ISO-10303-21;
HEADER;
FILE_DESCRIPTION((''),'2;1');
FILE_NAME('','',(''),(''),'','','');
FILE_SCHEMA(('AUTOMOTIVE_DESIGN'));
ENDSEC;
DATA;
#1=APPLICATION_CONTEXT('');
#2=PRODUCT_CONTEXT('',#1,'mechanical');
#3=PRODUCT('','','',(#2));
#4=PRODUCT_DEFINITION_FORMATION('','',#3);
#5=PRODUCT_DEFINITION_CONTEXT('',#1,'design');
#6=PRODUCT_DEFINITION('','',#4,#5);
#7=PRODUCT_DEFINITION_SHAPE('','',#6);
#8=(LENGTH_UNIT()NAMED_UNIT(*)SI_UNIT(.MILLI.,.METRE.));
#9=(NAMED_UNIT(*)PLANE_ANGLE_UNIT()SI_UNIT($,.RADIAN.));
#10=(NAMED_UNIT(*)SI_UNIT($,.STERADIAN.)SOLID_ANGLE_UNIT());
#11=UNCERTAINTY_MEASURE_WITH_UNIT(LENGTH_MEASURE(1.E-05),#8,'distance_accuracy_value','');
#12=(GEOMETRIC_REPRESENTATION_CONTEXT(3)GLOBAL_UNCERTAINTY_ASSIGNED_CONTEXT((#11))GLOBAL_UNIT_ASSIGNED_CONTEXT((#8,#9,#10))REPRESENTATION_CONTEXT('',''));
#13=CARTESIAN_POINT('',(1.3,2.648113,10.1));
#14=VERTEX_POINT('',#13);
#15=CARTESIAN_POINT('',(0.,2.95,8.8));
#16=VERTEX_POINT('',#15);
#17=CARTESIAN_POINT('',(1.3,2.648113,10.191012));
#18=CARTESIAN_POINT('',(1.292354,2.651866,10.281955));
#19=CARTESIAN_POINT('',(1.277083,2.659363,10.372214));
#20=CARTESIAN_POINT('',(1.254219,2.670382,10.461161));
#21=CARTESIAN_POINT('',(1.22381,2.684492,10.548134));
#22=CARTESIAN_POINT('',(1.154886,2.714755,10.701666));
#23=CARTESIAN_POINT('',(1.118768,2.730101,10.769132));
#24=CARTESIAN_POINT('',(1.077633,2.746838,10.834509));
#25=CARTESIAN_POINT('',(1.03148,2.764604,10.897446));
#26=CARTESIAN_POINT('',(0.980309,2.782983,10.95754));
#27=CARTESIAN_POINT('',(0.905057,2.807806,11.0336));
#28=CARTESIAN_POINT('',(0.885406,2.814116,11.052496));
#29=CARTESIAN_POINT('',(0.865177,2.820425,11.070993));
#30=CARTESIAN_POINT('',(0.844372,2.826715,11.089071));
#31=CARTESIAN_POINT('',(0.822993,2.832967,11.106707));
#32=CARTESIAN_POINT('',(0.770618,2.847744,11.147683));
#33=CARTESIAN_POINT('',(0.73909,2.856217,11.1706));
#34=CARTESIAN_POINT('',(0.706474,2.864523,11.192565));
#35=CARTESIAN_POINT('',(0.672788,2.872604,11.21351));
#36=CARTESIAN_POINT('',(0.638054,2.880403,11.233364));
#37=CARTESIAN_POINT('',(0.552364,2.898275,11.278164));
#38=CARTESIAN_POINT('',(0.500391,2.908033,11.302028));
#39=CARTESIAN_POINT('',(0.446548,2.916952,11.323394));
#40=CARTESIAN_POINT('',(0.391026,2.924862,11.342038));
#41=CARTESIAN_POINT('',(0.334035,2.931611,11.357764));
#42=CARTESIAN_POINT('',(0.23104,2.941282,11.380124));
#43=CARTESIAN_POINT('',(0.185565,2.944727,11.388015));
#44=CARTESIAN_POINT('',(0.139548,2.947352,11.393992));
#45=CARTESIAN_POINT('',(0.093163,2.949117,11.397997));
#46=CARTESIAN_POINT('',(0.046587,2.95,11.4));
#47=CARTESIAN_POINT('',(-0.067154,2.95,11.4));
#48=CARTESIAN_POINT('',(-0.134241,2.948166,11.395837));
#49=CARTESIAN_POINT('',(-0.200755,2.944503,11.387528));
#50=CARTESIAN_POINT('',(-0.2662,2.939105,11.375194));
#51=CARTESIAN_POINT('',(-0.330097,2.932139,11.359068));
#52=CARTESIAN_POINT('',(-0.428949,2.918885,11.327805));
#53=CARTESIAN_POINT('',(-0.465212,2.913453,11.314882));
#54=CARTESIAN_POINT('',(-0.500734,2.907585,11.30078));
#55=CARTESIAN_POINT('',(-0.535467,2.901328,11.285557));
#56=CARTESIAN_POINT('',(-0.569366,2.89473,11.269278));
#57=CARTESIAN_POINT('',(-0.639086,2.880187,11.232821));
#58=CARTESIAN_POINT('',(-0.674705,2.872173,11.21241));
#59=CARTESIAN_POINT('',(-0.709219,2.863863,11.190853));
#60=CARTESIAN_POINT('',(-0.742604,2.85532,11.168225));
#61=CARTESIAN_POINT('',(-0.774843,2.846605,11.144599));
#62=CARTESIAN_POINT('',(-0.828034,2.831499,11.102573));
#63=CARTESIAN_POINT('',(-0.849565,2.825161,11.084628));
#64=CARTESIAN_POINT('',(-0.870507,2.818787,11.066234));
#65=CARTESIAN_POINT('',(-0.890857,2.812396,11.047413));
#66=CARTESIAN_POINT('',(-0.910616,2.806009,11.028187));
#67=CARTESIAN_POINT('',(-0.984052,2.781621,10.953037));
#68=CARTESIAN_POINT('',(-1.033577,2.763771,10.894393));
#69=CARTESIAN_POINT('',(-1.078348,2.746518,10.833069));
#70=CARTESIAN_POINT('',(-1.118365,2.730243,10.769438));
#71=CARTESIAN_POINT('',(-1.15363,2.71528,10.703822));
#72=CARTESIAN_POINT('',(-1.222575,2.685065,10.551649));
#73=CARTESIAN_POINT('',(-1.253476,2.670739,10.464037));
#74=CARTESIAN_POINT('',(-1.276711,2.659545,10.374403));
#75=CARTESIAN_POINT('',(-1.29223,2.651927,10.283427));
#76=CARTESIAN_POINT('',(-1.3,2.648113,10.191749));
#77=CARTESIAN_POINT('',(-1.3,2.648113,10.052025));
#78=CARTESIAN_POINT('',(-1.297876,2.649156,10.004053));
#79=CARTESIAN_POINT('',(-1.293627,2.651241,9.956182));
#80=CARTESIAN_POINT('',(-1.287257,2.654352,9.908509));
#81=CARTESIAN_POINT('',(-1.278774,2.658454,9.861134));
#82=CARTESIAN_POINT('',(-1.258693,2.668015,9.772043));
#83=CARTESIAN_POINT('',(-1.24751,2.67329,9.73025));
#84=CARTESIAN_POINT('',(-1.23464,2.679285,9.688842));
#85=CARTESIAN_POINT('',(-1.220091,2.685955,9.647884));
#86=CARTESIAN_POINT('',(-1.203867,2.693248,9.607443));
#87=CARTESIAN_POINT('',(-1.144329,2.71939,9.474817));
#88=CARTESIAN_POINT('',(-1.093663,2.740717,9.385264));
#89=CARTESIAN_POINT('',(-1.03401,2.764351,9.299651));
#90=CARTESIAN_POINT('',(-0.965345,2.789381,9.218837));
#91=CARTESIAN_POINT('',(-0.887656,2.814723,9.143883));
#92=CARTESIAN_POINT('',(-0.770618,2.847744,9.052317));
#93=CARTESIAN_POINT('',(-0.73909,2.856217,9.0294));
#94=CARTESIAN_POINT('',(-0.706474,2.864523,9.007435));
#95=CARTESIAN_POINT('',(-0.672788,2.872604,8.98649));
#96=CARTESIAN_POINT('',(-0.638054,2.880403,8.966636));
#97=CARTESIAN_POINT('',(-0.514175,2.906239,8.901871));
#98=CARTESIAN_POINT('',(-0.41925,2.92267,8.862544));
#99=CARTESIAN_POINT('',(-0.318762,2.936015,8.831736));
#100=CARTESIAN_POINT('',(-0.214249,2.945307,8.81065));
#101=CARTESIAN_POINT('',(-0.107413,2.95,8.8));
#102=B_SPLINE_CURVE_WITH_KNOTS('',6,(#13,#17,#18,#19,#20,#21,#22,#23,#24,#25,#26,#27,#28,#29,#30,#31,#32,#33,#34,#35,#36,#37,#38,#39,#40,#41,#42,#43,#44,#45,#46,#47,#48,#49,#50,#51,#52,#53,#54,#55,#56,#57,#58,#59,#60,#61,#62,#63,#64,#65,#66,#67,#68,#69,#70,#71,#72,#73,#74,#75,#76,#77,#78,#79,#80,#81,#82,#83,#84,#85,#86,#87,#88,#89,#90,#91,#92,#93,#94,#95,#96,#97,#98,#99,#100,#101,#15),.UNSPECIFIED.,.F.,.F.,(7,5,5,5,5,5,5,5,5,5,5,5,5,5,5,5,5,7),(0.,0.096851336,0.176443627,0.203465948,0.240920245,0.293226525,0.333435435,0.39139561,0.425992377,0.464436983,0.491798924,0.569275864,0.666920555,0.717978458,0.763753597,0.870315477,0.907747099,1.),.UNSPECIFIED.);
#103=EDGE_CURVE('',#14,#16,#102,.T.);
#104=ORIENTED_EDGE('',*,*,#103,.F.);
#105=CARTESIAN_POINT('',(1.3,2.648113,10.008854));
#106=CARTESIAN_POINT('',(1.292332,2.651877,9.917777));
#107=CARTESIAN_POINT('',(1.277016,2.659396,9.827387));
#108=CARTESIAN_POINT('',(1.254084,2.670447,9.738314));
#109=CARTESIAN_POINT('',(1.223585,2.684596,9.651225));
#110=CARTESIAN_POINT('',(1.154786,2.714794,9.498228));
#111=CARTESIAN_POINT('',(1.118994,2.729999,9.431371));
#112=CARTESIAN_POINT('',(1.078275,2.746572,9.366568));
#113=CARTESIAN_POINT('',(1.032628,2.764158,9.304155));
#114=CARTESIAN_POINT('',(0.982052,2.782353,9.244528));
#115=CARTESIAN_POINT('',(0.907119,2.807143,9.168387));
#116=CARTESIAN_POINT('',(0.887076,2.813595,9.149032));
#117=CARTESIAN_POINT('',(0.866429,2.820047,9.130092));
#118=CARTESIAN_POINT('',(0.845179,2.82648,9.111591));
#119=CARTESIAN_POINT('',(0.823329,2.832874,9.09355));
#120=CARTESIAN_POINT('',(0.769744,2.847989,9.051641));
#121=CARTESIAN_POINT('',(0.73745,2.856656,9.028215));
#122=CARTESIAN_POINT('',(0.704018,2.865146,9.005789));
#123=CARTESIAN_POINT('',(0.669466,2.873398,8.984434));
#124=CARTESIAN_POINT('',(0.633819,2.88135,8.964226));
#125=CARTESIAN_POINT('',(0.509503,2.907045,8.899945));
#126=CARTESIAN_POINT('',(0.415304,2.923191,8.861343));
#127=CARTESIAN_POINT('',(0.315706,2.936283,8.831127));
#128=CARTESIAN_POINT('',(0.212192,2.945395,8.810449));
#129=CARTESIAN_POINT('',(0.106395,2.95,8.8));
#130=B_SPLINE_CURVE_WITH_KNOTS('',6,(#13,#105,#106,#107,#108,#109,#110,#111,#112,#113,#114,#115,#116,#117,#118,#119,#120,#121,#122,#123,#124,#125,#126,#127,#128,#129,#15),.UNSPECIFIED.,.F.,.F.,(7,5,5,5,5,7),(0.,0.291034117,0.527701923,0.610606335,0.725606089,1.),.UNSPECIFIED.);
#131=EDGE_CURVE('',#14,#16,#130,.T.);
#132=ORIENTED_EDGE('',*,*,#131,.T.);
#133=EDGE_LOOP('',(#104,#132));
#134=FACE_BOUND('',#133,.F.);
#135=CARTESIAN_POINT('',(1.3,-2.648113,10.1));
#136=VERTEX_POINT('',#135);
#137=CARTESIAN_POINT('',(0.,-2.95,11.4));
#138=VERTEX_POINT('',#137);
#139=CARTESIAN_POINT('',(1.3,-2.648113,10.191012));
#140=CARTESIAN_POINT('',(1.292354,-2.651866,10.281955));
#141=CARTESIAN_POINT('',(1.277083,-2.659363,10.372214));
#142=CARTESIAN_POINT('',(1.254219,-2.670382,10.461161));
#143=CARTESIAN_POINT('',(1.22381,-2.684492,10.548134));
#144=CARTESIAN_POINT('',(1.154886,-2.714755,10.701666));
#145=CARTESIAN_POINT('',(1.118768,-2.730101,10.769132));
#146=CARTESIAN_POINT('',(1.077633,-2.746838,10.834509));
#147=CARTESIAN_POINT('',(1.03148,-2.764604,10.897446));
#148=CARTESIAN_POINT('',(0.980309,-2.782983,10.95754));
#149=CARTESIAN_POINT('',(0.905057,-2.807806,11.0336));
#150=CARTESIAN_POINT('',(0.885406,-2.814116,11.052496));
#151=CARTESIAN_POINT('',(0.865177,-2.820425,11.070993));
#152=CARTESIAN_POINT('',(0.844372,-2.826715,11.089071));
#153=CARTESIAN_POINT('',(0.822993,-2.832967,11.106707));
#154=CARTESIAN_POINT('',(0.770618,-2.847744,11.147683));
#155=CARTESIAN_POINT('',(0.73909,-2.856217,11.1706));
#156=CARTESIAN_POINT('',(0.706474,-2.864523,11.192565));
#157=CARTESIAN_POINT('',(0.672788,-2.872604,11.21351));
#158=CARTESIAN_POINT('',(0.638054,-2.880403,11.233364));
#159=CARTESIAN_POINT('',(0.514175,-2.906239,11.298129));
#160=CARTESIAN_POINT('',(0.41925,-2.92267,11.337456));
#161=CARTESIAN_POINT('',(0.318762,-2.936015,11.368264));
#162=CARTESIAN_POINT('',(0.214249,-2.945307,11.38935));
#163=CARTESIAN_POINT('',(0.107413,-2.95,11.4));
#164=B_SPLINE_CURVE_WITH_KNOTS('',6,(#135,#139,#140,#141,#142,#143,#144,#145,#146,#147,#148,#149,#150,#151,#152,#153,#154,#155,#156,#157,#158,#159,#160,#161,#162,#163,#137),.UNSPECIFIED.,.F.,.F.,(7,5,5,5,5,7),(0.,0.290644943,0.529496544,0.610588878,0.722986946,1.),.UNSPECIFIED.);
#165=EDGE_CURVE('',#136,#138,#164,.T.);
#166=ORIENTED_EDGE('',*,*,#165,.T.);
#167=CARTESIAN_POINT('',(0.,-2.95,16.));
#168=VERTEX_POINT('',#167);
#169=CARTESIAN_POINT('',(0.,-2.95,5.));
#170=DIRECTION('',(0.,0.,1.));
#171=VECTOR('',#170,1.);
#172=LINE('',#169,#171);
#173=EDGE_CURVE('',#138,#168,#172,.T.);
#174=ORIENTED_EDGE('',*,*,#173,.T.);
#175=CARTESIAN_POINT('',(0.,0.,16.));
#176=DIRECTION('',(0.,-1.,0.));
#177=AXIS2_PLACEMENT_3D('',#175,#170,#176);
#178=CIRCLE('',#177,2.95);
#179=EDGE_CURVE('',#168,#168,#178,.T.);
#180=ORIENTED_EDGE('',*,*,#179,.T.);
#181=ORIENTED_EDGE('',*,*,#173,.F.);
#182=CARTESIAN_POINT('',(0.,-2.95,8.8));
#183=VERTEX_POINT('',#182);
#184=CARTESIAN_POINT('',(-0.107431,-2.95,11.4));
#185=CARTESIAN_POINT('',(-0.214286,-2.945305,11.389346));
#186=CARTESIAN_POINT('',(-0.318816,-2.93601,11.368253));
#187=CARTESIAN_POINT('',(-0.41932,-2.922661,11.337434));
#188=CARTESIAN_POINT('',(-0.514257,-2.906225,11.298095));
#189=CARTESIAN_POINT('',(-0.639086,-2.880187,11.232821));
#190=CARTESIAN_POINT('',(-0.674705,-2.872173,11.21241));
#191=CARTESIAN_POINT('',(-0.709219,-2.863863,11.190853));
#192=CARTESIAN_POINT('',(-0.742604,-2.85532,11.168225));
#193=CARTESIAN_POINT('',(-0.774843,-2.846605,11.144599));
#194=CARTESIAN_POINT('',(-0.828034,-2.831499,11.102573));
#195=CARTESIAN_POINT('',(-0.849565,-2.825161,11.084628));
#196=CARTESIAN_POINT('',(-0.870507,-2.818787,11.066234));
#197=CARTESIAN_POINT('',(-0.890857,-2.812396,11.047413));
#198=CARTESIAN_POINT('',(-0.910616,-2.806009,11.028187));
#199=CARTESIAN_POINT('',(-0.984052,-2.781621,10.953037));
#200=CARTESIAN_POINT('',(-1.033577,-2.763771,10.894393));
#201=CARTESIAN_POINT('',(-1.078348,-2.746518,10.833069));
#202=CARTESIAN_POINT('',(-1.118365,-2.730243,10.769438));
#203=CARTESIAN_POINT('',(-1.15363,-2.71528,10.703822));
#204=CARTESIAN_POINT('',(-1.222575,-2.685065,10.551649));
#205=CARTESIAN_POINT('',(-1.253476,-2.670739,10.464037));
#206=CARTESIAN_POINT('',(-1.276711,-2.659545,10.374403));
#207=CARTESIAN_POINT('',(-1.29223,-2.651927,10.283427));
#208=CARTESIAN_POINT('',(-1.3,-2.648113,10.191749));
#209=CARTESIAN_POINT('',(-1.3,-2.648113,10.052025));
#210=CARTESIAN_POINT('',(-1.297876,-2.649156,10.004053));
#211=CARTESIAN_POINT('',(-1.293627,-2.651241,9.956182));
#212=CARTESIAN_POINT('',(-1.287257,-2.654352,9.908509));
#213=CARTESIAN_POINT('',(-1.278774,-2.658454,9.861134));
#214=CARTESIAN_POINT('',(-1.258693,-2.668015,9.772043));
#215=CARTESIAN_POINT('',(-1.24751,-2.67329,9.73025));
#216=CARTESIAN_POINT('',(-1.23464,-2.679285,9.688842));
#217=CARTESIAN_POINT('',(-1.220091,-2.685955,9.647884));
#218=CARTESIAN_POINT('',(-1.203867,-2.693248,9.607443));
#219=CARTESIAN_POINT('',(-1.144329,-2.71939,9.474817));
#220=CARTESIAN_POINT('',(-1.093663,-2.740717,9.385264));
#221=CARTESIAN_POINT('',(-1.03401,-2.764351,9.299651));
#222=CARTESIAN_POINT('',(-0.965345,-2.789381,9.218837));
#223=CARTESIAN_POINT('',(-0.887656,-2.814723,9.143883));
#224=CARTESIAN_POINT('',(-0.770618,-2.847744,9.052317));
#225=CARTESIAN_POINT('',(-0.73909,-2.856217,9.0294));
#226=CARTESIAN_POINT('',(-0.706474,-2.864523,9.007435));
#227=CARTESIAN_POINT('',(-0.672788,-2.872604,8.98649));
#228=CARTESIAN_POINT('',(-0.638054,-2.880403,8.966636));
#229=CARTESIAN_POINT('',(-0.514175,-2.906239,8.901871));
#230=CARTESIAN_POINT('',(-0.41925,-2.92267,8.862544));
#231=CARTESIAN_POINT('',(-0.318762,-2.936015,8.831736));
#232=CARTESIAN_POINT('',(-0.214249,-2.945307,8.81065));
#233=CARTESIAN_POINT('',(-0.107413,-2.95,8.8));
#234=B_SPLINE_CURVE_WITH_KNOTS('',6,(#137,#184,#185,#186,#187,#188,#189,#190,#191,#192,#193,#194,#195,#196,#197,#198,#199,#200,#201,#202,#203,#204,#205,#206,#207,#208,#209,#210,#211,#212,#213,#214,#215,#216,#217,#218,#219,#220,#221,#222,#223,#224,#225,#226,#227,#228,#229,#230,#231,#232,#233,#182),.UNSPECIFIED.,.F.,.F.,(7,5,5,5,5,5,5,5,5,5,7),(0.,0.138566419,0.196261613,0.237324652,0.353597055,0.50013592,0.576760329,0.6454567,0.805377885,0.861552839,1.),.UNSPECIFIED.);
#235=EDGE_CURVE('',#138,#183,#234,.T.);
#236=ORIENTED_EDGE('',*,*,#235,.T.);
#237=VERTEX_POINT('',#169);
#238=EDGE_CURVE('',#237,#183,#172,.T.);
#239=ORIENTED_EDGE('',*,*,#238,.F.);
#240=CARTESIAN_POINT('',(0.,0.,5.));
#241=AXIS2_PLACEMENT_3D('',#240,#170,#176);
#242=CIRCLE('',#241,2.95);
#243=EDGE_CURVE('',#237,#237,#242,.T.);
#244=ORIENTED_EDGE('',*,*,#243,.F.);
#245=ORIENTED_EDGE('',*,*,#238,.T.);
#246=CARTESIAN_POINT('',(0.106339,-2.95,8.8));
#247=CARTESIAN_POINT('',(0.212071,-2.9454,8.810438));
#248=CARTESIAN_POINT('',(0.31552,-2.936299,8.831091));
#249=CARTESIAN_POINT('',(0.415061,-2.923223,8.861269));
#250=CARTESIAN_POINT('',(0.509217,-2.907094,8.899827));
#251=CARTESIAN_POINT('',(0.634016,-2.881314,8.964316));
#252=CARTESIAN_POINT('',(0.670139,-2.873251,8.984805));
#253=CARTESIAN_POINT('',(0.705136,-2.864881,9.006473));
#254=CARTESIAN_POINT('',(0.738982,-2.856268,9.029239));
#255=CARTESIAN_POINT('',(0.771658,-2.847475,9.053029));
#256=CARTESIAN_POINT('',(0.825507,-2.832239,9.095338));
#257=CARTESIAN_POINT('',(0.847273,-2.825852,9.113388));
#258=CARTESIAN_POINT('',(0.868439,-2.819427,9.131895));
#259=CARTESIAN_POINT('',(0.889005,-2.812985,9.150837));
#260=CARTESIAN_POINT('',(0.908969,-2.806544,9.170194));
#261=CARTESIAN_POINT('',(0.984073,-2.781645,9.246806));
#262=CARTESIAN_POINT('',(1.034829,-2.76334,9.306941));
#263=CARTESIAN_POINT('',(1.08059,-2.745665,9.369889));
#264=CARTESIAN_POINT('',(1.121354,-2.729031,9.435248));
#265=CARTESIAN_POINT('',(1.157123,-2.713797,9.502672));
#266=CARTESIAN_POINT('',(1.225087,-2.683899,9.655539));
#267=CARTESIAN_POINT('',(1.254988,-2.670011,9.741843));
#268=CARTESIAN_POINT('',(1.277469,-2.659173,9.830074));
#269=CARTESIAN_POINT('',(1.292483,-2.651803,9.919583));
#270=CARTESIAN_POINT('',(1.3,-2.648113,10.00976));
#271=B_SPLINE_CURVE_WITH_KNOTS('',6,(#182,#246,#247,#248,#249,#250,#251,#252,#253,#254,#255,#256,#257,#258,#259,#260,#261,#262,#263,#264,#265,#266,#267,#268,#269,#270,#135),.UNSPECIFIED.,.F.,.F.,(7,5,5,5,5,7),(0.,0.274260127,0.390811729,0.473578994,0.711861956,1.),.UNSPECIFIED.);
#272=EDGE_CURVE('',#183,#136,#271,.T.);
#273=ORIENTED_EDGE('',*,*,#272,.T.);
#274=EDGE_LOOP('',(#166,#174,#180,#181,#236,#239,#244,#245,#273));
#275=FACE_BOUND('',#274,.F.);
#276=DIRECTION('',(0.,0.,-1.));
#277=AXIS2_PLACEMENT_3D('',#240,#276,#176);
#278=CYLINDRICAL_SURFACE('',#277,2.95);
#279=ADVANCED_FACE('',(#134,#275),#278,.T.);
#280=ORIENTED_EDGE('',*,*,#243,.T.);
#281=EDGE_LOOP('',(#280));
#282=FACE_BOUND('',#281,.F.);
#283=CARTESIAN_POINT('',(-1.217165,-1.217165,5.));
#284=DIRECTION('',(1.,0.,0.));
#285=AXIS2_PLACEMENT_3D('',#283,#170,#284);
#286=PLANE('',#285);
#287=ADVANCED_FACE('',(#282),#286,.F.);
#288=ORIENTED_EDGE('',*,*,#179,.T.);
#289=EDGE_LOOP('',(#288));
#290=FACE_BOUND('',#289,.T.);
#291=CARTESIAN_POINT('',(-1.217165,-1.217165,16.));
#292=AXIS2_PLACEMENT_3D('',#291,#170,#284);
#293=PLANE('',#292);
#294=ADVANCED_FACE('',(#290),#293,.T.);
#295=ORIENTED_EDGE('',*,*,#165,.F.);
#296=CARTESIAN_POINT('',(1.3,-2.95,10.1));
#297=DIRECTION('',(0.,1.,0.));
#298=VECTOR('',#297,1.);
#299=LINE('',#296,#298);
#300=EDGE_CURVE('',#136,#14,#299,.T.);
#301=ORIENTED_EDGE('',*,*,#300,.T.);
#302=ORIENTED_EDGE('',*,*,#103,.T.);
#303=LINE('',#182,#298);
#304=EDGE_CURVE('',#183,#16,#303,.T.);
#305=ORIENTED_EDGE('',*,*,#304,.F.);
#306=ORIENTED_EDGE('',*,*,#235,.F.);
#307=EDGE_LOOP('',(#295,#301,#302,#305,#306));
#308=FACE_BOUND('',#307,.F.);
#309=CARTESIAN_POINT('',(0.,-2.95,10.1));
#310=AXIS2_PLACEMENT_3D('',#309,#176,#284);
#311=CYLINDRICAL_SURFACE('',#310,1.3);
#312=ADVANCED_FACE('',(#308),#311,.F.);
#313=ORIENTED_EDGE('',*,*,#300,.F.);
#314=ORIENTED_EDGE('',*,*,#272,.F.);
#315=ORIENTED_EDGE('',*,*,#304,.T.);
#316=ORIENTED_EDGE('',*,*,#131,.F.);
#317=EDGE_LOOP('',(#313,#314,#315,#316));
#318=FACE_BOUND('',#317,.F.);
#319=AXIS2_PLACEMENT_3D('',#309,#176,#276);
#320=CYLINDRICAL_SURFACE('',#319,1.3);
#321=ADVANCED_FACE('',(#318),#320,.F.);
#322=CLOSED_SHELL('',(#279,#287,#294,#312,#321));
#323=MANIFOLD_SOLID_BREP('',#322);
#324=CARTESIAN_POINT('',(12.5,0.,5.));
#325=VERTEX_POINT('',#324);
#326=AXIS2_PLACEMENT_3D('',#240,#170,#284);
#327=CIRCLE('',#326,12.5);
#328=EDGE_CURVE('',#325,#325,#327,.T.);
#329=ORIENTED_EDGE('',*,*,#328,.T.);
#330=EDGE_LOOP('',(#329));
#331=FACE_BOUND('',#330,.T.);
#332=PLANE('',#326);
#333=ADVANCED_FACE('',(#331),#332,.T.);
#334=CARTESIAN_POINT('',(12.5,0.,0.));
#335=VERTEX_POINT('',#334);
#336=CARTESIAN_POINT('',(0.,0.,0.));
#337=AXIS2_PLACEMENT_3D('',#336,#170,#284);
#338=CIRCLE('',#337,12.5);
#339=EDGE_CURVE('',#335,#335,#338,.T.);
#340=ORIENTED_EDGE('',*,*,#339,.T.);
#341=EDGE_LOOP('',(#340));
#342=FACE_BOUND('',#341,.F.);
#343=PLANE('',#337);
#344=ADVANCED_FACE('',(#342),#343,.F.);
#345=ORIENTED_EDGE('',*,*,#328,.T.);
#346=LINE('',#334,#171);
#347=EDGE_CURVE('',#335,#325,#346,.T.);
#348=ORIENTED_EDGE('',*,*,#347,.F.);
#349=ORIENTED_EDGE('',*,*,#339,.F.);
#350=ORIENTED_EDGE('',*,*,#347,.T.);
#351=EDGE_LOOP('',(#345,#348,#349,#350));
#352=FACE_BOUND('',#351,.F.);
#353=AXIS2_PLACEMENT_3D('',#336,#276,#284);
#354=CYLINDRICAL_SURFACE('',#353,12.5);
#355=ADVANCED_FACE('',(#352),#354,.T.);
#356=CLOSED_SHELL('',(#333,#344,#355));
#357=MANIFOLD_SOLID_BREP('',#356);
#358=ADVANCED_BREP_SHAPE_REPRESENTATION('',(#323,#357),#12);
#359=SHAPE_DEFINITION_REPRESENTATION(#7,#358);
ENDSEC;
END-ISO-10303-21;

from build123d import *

# Parameters (mm, degrees)
F1_R     = 12.5
F2_DEPTH = 5
F6_DEPTH = 11
F9_DEPTH = 15.451


with BuildPart() as f2:
    # F1 (on Top) → F2 (new body)
    with BuildSketch(Plane.XY):
        Circle(F1_R)
    extrude(amount=F2_DEPTH)


with BuildPart() as f6:
    # F5 (on face) → F6 (new body)
    with BuildSketch(Plane.XY.offset(5)):
        with BuildLine():
            Line((0, 0), (-2.95, 0))
            ThreePointArc((-2.95, 0), (-2.0859650045, -2.0859650045), (0, -2.95))
            Line((0, -2.95), (0, 0))
        make_face()
        with BuildLine():
            ThreePointArc((0, -2.95), (2.0859650045, -2.0859650045), (2.95, 0))
            ThreePointArc((2.95, 0), (0, 2.95), (-2.95, 0))
            Line((-2.95, 0), (0, 0))
            Line((0, 0), (0, -2.95))
        make_face()
    extrude(amount=F6_DEPTH)

    # F8 (on offset) → F9 (cut, through all)
    with BuildSketch(Plane.XZ.offset(2.95)):
        with BuildLine():
            ThreePointArc((0, 8.8), (0.9192388155, 9.1807611845), (1.3, 10.1))
            ThreePointArc((1.3, 10.1), (-0.9192388155, 11.0192388155), (0, 8.8))
        make_face()
    extrude(amount=-F9_DEPTH, mode=Mode.SUBTRACT)


solid = Compound([f2.part, f6.part])
